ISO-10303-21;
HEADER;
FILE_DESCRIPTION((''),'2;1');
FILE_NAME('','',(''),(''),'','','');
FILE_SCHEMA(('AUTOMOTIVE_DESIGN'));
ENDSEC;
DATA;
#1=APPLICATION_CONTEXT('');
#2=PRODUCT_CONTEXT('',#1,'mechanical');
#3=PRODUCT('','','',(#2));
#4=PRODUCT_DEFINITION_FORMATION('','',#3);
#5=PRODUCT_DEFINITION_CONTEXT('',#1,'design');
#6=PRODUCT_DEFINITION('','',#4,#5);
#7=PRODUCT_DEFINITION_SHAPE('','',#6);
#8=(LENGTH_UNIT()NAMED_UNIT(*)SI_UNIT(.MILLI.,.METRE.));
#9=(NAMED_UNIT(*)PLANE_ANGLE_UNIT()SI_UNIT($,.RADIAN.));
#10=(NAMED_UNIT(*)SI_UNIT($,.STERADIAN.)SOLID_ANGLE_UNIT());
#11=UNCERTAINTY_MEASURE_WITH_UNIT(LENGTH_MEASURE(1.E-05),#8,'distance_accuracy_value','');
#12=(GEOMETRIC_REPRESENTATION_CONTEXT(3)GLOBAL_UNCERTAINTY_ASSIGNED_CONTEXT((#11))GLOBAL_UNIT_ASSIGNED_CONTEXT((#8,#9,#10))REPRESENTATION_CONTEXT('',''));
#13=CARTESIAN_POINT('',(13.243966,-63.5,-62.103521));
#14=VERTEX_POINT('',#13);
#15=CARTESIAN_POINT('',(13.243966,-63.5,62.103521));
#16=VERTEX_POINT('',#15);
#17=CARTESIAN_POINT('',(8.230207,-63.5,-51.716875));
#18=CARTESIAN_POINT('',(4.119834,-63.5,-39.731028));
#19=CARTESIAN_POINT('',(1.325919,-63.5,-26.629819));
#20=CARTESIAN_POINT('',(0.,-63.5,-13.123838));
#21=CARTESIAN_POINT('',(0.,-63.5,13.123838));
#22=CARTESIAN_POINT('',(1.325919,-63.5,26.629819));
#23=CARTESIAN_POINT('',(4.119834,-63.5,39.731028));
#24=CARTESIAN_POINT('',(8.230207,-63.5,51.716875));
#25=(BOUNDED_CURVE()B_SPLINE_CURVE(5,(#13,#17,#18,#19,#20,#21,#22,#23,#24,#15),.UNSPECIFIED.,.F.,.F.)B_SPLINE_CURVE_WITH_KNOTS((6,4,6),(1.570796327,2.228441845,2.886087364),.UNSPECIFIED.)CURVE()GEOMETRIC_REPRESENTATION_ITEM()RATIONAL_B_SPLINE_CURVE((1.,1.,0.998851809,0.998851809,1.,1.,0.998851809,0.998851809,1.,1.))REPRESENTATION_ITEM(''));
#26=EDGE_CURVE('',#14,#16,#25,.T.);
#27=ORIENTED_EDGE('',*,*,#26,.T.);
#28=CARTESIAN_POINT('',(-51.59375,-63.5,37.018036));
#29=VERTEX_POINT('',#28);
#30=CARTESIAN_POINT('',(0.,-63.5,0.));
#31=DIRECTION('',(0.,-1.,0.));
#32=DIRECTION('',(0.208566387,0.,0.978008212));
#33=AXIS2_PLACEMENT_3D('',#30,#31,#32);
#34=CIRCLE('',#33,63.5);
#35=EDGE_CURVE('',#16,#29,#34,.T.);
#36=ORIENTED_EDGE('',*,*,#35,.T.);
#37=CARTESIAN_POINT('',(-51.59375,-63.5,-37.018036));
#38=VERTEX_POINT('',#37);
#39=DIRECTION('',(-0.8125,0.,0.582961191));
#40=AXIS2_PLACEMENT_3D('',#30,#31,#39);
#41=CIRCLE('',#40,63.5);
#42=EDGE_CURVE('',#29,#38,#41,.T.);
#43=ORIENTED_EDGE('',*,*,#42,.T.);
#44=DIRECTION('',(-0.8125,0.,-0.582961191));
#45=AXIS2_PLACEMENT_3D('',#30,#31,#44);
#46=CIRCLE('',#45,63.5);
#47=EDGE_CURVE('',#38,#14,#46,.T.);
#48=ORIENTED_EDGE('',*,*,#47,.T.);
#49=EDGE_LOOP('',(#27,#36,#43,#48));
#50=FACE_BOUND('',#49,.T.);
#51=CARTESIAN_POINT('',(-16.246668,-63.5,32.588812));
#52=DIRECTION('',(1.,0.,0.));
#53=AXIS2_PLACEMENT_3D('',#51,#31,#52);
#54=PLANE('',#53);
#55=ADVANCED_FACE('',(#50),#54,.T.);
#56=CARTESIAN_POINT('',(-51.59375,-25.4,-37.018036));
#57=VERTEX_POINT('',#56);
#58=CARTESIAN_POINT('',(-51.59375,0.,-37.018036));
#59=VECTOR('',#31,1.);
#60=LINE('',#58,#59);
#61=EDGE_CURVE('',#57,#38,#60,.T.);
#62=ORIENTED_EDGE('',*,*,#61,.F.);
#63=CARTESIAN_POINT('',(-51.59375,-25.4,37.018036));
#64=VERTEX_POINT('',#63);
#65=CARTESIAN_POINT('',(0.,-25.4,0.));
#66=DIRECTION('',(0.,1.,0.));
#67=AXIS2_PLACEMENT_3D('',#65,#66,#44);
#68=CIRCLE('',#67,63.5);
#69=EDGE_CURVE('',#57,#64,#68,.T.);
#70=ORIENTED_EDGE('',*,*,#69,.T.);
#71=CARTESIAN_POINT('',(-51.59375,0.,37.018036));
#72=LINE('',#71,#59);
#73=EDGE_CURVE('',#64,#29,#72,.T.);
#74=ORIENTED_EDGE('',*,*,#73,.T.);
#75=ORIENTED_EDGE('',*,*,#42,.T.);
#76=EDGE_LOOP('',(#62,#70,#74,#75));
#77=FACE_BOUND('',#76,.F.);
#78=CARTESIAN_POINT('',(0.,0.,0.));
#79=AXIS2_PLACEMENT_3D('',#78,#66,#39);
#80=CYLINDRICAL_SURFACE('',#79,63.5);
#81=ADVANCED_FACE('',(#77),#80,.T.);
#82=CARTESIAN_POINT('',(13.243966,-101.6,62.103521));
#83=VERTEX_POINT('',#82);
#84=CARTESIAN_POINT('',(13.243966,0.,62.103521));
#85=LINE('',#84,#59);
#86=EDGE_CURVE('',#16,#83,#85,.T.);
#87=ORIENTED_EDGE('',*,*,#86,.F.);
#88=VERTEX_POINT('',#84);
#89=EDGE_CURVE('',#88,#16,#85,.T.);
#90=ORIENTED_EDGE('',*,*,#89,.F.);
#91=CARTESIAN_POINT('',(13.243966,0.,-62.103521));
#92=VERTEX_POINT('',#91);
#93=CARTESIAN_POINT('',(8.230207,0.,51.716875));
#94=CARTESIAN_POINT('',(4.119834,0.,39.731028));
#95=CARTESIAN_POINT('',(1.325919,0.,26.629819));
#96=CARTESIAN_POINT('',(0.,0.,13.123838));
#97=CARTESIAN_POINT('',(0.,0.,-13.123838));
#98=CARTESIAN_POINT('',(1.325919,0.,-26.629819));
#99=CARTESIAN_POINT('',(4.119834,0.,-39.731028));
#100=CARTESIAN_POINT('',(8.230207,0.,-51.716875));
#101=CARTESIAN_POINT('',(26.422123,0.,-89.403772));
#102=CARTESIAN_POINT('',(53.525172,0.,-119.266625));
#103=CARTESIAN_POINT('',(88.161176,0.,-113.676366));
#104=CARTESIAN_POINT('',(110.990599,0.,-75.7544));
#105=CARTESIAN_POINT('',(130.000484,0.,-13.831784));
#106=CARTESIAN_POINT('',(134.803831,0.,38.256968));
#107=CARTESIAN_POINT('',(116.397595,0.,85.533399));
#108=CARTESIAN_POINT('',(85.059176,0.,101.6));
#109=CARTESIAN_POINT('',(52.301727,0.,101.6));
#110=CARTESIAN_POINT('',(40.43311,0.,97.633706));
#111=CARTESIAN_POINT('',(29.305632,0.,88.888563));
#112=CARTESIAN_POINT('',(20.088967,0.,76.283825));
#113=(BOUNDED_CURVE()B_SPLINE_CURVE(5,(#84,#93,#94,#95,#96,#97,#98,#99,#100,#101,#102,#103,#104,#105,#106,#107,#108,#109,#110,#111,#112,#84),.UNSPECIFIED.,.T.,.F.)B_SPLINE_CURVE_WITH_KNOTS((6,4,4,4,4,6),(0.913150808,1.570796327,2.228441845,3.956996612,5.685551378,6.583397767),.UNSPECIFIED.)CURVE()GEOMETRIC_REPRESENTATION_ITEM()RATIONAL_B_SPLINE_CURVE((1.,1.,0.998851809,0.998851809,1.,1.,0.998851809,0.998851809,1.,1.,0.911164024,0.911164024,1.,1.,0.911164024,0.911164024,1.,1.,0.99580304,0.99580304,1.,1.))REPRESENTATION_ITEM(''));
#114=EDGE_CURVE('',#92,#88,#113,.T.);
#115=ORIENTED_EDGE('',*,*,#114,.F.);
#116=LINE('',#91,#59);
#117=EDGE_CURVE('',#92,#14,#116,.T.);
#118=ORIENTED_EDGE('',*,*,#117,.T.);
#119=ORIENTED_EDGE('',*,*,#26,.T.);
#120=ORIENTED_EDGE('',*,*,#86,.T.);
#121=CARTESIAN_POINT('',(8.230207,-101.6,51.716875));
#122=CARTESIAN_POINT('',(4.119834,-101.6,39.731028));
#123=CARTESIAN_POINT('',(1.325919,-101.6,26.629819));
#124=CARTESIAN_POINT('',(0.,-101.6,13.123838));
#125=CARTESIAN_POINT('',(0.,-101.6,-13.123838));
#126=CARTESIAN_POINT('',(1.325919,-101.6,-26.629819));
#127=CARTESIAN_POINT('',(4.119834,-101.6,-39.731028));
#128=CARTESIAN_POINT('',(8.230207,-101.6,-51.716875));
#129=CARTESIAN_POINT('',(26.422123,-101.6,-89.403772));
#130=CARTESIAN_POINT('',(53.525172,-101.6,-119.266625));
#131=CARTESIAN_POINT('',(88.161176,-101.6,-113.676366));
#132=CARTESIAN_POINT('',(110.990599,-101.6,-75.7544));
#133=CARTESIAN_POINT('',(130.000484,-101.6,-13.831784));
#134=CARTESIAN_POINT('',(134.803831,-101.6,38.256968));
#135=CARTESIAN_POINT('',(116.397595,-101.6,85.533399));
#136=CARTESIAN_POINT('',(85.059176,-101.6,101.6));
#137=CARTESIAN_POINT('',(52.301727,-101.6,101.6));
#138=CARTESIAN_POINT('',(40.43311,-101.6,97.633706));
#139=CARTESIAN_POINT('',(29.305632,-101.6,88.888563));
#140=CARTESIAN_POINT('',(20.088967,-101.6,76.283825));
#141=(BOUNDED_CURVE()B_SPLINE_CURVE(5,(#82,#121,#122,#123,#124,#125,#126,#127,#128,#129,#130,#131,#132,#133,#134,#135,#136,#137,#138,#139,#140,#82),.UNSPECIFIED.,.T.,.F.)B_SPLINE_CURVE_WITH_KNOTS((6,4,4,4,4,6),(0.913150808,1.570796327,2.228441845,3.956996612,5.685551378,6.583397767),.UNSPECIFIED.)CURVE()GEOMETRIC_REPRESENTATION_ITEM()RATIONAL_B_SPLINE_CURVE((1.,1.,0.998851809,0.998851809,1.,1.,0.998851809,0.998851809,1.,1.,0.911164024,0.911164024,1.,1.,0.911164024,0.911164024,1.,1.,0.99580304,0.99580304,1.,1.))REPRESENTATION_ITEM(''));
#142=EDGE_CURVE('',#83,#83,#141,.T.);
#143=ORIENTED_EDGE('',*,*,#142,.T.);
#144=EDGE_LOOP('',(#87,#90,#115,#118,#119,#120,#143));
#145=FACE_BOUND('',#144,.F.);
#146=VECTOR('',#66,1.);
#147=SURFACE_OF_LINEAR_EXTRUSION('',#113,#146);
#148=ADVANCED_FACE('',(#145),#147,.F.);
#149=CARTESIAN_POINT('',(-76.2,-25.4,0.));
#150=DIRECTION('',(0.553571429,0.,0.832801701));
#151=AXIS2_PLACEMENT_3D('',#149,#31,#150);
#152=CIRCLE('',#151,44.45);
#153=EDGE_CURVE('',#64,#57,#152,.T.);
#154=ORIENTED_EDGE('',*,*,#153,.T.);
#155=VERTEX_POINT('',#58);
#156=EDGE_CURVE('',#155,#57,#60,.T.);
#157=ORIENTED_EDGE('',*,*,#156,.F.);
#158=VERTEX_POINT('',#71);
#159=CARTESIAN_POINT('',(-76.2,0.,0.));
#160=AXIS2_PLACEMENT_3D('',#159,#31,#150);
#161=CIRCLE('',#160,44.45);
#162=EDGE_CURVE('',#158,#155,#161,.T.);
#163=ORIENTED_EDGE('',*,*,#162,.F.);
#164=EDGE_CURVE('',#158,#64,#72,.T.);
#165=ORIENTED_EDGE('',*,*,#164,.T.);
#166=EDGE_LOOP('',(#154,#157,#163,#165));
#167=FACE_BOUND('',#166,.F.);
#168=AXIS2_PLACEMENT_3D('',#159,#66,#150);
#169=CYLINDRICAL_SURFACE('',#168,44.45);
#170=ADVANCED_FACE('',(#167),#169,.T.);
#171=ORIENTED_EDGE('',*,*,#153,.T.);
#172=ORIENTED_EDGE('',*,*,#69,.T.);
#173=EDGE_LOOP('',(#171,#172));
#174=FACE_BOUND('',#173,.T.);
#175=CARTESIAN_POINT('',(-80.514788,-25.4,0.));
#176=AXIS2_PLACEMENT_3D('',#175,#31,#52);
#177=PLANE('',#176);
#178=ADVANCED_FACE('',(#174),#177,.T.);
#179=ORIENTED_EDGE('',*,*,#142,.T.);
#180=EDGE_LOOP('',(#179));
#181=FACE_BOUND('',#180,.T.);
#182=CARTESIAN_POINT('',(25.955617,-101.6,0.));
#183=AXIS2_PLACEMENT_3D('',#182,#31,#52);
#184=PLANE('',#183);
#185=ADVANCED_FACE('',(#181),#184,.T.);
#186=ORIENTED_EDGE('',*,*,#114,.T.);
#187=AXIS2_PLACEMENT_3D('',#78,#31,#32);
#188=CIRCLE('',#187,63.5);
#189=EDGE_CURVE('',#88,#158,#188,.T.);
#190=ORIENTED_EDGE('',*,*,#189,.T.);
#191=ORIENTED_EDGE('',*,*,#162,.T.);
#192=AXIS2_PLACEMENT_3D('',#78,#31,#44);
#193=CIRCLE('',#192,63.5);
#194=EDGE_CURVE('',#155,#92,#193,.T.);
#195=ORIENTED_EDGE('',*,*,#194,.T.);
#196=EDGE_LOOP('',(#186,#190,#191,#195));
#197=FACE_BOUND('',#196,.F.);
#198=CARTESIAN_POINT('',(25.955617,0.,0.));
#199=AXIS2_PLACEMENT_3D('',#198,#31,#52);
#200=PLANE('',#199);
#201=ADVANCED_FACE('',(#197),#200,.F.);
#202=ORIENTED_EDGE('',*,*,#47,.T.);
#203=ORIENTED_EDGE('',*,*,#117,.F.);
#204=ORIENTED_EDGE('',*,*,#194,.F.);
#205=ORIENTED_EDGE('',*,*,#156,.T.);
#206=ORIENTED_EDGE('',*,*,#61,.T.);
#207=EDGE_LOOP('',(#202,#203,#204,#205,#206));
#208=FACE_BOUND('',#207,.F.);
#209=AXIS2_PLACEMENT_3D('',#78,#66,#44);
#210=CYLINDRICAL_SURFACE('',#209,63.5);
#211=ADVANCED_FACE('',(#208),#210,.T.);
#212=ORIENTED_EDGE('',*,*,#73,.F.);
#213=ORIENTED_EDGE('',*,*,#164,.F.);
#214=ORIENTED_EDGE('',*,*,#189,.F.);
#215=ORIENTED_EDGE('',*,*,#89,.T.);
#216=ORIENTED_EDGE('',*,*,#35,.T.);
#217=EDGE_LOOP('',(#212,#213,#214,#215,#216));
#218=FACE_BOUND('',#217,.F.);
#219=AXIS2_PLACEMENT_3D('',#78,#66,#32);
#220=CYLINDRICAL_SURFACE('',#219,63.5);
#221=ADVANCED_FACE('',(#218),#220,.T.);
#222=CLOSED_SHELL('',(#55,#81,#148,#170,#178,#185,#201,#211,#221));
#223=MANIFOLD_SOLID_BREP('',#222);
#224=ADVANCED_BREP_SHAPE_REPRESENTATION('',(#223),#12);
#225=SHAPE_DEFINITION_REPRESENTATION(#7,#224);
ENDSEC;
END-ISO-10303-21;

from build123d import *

# Parameters (mm, degrees)
F1_DEPTH = 25.4
F2_DEPTH = 63.5
F3_DEPTH = 101.6


with BuildPart() as f1:
    # F0 (on Front) → F1 (new body)
    with BuildSketch(Plane.XZ):
        with BuildLine():
            ThreePointArc((-51.59375, -37.0180356169), (-60.4501990278, -19.4428248333), (-63.5, 0))
            ThreePointArc((-63.5, 0), (-60.4501990278, 19.4428248333), (-51.59375, 37.0180356169))
            ThreePointArc((-51.59375, 37.0180356169), (-120.65, 0), (-51.59375, -37.0180356169))
        make_face()
    extrude(amount=F1_DEPTH)

    # F0 (on Front) → F2 (join)
    with BuildSketch(Plane.XZ):
        with BuildLine():
            Line((-31.75, 0), (0, 0))
            add(Edge.make_bspline(
                [(13.2439655959, 62.1035214404), (0, 34.6669399309), (0, 0)],
                knots=[0.9131508081, 0.9131508081, 0.9131508081, 1.5707963268, 1.5707963268, 1.5707963268], degree=2, weights=[1, 0.9464231645, 1]))
            ThreePointArc((13.2439655959, 62.1035214404), (-22.9128106244, 59.2220660674), (-51.59375, 37.0180356169))
            ThreePointArc((-51.59375, 37.0180356169), (-37.0237934934, 21.0006510316), (-31.75, 0))
        make_face()
        with BuildLine():
            Line((-63.5, 0), (-31.75, 0))
            ThreePointArc((-31.75, 0), (-37.0237934934, 21.0006510316), (-51.59375, 37.0180356169))
            ThreePointArc((-51.59375, 37.0180356169), (-60.4501990278, 19.4428248333), (-63.5, 0))
        make_face()
        with BuildLine():
            ThreePointArc((-51.59375, -37.0180356169), (-37.0237934934, -21.0006510316), (-31.75, 0))
            Line((-31.75, 0), (-63.5, 0))
            ThreePointArc((-63.5, 0), (-60.4501990278, -19.4428248333), (-51.59375, -37.0180356169))
        make_face()
        with BuildLine():
            add(Edge.make_bspline(
                [(0, 0), (0, -34.6669399309), (13.2439655959, -62.1035214404)],
                knots=[1.5707963268, 1.5707963268, 1.5707963268, 2.2284418454, 2.2284418454, 2.2284418454], degree=2, weights=[1, 0.9464231645, 1]))
            Line((0, 0), (-31.75, 0))
            ThreePointArc((-31.75, 0), (-37.0237934934, -21.0006510316), (-51.59375, -37.0180356169))
            ThreePointArc((-51.59375, -37.0180356169), (-22.9128106244, -59.2220660674), (13.2439655959, -62.1035214404))
        make_face()
    extrude(amount=F2_DEPTH)

    # F0 (on Front) → F3 (join)
    with BuildSketch(Plane.XZ):
        with BuildLine():
            add(Edge.make_bspline(
                [(13.2439655959, 62.1035214404), (0, 34.6669399309), (0, 0)],
                knots=[0.9131508081, 0.9131508081, 0.9131508081, 1.5707963268, 1.5707963268, 1.5707963268], degree=2, weights=[1, 0.9464231645, 1]))
            add(Edge.make_bspline(
                [(0, 0), (0, -34.6669399309), (13.2439655959, -62.1035214404)],
                knots=[1.5707963268, 1.5707963268, 1.5707963268, 2.2284418454, 2.2284418454, 2.2284418454], degree=2, weights=[1, 0.9464231645, 1]))
            ThreePointArc((13.2439655959, -62.1035214404), (49.3621404284, -39.9453262889), (63.5, 0))
            ThreePointArc((63.5, 0), (49.3621404284, 39.9453262889), (13.2439655959, 62.1035214404))
        make_face()
        with BuildLine():
            add(Edge.make_bspline(
                [(63.5, 101.6), (32.3093875408, 101.6), (13.2439655959, 62.1035214404)],
                knots=[0, 0, 0, 0.9131508081, 0.9131508081, 0.9131508081], degree=2, weights=[1, 0.8975675831, 1]))
            ThreePointArc((13.2439655959, 62.1035214404), (49.3621404284, 39.9453262889), (63.5, 0))
            Line((63.5, 0), (63.5, 101.6))
        make_face()
        with BuildLine():
            ThreePointArc((63.5, 0), (49.3621404284, -39.9453262889), (13.2439655959, -62.1035214404))
            add(Edge.make_bspline(
                [(13.2439655959, -62.1035214404), (75.5537087854, -191.1861844445), (120.4955415237, -44.7930922222), (165.437374262, 101.6), (63.5, 101.6)],
                knots=[2.2284418454, 2.2284418454, 2.2284418454, 4.2558135763, 4.2558135763, 6.2831853072, 6.2831853072, 6.2831853072], degree=2, weights=[1, 0.5287358074, 1, 0.5287358074, 1]))
            Line((63.5, 101.6), (63.5, 0))
        make_face()
    extrude(amount=F3_DEPTH)


solid = f1.part
